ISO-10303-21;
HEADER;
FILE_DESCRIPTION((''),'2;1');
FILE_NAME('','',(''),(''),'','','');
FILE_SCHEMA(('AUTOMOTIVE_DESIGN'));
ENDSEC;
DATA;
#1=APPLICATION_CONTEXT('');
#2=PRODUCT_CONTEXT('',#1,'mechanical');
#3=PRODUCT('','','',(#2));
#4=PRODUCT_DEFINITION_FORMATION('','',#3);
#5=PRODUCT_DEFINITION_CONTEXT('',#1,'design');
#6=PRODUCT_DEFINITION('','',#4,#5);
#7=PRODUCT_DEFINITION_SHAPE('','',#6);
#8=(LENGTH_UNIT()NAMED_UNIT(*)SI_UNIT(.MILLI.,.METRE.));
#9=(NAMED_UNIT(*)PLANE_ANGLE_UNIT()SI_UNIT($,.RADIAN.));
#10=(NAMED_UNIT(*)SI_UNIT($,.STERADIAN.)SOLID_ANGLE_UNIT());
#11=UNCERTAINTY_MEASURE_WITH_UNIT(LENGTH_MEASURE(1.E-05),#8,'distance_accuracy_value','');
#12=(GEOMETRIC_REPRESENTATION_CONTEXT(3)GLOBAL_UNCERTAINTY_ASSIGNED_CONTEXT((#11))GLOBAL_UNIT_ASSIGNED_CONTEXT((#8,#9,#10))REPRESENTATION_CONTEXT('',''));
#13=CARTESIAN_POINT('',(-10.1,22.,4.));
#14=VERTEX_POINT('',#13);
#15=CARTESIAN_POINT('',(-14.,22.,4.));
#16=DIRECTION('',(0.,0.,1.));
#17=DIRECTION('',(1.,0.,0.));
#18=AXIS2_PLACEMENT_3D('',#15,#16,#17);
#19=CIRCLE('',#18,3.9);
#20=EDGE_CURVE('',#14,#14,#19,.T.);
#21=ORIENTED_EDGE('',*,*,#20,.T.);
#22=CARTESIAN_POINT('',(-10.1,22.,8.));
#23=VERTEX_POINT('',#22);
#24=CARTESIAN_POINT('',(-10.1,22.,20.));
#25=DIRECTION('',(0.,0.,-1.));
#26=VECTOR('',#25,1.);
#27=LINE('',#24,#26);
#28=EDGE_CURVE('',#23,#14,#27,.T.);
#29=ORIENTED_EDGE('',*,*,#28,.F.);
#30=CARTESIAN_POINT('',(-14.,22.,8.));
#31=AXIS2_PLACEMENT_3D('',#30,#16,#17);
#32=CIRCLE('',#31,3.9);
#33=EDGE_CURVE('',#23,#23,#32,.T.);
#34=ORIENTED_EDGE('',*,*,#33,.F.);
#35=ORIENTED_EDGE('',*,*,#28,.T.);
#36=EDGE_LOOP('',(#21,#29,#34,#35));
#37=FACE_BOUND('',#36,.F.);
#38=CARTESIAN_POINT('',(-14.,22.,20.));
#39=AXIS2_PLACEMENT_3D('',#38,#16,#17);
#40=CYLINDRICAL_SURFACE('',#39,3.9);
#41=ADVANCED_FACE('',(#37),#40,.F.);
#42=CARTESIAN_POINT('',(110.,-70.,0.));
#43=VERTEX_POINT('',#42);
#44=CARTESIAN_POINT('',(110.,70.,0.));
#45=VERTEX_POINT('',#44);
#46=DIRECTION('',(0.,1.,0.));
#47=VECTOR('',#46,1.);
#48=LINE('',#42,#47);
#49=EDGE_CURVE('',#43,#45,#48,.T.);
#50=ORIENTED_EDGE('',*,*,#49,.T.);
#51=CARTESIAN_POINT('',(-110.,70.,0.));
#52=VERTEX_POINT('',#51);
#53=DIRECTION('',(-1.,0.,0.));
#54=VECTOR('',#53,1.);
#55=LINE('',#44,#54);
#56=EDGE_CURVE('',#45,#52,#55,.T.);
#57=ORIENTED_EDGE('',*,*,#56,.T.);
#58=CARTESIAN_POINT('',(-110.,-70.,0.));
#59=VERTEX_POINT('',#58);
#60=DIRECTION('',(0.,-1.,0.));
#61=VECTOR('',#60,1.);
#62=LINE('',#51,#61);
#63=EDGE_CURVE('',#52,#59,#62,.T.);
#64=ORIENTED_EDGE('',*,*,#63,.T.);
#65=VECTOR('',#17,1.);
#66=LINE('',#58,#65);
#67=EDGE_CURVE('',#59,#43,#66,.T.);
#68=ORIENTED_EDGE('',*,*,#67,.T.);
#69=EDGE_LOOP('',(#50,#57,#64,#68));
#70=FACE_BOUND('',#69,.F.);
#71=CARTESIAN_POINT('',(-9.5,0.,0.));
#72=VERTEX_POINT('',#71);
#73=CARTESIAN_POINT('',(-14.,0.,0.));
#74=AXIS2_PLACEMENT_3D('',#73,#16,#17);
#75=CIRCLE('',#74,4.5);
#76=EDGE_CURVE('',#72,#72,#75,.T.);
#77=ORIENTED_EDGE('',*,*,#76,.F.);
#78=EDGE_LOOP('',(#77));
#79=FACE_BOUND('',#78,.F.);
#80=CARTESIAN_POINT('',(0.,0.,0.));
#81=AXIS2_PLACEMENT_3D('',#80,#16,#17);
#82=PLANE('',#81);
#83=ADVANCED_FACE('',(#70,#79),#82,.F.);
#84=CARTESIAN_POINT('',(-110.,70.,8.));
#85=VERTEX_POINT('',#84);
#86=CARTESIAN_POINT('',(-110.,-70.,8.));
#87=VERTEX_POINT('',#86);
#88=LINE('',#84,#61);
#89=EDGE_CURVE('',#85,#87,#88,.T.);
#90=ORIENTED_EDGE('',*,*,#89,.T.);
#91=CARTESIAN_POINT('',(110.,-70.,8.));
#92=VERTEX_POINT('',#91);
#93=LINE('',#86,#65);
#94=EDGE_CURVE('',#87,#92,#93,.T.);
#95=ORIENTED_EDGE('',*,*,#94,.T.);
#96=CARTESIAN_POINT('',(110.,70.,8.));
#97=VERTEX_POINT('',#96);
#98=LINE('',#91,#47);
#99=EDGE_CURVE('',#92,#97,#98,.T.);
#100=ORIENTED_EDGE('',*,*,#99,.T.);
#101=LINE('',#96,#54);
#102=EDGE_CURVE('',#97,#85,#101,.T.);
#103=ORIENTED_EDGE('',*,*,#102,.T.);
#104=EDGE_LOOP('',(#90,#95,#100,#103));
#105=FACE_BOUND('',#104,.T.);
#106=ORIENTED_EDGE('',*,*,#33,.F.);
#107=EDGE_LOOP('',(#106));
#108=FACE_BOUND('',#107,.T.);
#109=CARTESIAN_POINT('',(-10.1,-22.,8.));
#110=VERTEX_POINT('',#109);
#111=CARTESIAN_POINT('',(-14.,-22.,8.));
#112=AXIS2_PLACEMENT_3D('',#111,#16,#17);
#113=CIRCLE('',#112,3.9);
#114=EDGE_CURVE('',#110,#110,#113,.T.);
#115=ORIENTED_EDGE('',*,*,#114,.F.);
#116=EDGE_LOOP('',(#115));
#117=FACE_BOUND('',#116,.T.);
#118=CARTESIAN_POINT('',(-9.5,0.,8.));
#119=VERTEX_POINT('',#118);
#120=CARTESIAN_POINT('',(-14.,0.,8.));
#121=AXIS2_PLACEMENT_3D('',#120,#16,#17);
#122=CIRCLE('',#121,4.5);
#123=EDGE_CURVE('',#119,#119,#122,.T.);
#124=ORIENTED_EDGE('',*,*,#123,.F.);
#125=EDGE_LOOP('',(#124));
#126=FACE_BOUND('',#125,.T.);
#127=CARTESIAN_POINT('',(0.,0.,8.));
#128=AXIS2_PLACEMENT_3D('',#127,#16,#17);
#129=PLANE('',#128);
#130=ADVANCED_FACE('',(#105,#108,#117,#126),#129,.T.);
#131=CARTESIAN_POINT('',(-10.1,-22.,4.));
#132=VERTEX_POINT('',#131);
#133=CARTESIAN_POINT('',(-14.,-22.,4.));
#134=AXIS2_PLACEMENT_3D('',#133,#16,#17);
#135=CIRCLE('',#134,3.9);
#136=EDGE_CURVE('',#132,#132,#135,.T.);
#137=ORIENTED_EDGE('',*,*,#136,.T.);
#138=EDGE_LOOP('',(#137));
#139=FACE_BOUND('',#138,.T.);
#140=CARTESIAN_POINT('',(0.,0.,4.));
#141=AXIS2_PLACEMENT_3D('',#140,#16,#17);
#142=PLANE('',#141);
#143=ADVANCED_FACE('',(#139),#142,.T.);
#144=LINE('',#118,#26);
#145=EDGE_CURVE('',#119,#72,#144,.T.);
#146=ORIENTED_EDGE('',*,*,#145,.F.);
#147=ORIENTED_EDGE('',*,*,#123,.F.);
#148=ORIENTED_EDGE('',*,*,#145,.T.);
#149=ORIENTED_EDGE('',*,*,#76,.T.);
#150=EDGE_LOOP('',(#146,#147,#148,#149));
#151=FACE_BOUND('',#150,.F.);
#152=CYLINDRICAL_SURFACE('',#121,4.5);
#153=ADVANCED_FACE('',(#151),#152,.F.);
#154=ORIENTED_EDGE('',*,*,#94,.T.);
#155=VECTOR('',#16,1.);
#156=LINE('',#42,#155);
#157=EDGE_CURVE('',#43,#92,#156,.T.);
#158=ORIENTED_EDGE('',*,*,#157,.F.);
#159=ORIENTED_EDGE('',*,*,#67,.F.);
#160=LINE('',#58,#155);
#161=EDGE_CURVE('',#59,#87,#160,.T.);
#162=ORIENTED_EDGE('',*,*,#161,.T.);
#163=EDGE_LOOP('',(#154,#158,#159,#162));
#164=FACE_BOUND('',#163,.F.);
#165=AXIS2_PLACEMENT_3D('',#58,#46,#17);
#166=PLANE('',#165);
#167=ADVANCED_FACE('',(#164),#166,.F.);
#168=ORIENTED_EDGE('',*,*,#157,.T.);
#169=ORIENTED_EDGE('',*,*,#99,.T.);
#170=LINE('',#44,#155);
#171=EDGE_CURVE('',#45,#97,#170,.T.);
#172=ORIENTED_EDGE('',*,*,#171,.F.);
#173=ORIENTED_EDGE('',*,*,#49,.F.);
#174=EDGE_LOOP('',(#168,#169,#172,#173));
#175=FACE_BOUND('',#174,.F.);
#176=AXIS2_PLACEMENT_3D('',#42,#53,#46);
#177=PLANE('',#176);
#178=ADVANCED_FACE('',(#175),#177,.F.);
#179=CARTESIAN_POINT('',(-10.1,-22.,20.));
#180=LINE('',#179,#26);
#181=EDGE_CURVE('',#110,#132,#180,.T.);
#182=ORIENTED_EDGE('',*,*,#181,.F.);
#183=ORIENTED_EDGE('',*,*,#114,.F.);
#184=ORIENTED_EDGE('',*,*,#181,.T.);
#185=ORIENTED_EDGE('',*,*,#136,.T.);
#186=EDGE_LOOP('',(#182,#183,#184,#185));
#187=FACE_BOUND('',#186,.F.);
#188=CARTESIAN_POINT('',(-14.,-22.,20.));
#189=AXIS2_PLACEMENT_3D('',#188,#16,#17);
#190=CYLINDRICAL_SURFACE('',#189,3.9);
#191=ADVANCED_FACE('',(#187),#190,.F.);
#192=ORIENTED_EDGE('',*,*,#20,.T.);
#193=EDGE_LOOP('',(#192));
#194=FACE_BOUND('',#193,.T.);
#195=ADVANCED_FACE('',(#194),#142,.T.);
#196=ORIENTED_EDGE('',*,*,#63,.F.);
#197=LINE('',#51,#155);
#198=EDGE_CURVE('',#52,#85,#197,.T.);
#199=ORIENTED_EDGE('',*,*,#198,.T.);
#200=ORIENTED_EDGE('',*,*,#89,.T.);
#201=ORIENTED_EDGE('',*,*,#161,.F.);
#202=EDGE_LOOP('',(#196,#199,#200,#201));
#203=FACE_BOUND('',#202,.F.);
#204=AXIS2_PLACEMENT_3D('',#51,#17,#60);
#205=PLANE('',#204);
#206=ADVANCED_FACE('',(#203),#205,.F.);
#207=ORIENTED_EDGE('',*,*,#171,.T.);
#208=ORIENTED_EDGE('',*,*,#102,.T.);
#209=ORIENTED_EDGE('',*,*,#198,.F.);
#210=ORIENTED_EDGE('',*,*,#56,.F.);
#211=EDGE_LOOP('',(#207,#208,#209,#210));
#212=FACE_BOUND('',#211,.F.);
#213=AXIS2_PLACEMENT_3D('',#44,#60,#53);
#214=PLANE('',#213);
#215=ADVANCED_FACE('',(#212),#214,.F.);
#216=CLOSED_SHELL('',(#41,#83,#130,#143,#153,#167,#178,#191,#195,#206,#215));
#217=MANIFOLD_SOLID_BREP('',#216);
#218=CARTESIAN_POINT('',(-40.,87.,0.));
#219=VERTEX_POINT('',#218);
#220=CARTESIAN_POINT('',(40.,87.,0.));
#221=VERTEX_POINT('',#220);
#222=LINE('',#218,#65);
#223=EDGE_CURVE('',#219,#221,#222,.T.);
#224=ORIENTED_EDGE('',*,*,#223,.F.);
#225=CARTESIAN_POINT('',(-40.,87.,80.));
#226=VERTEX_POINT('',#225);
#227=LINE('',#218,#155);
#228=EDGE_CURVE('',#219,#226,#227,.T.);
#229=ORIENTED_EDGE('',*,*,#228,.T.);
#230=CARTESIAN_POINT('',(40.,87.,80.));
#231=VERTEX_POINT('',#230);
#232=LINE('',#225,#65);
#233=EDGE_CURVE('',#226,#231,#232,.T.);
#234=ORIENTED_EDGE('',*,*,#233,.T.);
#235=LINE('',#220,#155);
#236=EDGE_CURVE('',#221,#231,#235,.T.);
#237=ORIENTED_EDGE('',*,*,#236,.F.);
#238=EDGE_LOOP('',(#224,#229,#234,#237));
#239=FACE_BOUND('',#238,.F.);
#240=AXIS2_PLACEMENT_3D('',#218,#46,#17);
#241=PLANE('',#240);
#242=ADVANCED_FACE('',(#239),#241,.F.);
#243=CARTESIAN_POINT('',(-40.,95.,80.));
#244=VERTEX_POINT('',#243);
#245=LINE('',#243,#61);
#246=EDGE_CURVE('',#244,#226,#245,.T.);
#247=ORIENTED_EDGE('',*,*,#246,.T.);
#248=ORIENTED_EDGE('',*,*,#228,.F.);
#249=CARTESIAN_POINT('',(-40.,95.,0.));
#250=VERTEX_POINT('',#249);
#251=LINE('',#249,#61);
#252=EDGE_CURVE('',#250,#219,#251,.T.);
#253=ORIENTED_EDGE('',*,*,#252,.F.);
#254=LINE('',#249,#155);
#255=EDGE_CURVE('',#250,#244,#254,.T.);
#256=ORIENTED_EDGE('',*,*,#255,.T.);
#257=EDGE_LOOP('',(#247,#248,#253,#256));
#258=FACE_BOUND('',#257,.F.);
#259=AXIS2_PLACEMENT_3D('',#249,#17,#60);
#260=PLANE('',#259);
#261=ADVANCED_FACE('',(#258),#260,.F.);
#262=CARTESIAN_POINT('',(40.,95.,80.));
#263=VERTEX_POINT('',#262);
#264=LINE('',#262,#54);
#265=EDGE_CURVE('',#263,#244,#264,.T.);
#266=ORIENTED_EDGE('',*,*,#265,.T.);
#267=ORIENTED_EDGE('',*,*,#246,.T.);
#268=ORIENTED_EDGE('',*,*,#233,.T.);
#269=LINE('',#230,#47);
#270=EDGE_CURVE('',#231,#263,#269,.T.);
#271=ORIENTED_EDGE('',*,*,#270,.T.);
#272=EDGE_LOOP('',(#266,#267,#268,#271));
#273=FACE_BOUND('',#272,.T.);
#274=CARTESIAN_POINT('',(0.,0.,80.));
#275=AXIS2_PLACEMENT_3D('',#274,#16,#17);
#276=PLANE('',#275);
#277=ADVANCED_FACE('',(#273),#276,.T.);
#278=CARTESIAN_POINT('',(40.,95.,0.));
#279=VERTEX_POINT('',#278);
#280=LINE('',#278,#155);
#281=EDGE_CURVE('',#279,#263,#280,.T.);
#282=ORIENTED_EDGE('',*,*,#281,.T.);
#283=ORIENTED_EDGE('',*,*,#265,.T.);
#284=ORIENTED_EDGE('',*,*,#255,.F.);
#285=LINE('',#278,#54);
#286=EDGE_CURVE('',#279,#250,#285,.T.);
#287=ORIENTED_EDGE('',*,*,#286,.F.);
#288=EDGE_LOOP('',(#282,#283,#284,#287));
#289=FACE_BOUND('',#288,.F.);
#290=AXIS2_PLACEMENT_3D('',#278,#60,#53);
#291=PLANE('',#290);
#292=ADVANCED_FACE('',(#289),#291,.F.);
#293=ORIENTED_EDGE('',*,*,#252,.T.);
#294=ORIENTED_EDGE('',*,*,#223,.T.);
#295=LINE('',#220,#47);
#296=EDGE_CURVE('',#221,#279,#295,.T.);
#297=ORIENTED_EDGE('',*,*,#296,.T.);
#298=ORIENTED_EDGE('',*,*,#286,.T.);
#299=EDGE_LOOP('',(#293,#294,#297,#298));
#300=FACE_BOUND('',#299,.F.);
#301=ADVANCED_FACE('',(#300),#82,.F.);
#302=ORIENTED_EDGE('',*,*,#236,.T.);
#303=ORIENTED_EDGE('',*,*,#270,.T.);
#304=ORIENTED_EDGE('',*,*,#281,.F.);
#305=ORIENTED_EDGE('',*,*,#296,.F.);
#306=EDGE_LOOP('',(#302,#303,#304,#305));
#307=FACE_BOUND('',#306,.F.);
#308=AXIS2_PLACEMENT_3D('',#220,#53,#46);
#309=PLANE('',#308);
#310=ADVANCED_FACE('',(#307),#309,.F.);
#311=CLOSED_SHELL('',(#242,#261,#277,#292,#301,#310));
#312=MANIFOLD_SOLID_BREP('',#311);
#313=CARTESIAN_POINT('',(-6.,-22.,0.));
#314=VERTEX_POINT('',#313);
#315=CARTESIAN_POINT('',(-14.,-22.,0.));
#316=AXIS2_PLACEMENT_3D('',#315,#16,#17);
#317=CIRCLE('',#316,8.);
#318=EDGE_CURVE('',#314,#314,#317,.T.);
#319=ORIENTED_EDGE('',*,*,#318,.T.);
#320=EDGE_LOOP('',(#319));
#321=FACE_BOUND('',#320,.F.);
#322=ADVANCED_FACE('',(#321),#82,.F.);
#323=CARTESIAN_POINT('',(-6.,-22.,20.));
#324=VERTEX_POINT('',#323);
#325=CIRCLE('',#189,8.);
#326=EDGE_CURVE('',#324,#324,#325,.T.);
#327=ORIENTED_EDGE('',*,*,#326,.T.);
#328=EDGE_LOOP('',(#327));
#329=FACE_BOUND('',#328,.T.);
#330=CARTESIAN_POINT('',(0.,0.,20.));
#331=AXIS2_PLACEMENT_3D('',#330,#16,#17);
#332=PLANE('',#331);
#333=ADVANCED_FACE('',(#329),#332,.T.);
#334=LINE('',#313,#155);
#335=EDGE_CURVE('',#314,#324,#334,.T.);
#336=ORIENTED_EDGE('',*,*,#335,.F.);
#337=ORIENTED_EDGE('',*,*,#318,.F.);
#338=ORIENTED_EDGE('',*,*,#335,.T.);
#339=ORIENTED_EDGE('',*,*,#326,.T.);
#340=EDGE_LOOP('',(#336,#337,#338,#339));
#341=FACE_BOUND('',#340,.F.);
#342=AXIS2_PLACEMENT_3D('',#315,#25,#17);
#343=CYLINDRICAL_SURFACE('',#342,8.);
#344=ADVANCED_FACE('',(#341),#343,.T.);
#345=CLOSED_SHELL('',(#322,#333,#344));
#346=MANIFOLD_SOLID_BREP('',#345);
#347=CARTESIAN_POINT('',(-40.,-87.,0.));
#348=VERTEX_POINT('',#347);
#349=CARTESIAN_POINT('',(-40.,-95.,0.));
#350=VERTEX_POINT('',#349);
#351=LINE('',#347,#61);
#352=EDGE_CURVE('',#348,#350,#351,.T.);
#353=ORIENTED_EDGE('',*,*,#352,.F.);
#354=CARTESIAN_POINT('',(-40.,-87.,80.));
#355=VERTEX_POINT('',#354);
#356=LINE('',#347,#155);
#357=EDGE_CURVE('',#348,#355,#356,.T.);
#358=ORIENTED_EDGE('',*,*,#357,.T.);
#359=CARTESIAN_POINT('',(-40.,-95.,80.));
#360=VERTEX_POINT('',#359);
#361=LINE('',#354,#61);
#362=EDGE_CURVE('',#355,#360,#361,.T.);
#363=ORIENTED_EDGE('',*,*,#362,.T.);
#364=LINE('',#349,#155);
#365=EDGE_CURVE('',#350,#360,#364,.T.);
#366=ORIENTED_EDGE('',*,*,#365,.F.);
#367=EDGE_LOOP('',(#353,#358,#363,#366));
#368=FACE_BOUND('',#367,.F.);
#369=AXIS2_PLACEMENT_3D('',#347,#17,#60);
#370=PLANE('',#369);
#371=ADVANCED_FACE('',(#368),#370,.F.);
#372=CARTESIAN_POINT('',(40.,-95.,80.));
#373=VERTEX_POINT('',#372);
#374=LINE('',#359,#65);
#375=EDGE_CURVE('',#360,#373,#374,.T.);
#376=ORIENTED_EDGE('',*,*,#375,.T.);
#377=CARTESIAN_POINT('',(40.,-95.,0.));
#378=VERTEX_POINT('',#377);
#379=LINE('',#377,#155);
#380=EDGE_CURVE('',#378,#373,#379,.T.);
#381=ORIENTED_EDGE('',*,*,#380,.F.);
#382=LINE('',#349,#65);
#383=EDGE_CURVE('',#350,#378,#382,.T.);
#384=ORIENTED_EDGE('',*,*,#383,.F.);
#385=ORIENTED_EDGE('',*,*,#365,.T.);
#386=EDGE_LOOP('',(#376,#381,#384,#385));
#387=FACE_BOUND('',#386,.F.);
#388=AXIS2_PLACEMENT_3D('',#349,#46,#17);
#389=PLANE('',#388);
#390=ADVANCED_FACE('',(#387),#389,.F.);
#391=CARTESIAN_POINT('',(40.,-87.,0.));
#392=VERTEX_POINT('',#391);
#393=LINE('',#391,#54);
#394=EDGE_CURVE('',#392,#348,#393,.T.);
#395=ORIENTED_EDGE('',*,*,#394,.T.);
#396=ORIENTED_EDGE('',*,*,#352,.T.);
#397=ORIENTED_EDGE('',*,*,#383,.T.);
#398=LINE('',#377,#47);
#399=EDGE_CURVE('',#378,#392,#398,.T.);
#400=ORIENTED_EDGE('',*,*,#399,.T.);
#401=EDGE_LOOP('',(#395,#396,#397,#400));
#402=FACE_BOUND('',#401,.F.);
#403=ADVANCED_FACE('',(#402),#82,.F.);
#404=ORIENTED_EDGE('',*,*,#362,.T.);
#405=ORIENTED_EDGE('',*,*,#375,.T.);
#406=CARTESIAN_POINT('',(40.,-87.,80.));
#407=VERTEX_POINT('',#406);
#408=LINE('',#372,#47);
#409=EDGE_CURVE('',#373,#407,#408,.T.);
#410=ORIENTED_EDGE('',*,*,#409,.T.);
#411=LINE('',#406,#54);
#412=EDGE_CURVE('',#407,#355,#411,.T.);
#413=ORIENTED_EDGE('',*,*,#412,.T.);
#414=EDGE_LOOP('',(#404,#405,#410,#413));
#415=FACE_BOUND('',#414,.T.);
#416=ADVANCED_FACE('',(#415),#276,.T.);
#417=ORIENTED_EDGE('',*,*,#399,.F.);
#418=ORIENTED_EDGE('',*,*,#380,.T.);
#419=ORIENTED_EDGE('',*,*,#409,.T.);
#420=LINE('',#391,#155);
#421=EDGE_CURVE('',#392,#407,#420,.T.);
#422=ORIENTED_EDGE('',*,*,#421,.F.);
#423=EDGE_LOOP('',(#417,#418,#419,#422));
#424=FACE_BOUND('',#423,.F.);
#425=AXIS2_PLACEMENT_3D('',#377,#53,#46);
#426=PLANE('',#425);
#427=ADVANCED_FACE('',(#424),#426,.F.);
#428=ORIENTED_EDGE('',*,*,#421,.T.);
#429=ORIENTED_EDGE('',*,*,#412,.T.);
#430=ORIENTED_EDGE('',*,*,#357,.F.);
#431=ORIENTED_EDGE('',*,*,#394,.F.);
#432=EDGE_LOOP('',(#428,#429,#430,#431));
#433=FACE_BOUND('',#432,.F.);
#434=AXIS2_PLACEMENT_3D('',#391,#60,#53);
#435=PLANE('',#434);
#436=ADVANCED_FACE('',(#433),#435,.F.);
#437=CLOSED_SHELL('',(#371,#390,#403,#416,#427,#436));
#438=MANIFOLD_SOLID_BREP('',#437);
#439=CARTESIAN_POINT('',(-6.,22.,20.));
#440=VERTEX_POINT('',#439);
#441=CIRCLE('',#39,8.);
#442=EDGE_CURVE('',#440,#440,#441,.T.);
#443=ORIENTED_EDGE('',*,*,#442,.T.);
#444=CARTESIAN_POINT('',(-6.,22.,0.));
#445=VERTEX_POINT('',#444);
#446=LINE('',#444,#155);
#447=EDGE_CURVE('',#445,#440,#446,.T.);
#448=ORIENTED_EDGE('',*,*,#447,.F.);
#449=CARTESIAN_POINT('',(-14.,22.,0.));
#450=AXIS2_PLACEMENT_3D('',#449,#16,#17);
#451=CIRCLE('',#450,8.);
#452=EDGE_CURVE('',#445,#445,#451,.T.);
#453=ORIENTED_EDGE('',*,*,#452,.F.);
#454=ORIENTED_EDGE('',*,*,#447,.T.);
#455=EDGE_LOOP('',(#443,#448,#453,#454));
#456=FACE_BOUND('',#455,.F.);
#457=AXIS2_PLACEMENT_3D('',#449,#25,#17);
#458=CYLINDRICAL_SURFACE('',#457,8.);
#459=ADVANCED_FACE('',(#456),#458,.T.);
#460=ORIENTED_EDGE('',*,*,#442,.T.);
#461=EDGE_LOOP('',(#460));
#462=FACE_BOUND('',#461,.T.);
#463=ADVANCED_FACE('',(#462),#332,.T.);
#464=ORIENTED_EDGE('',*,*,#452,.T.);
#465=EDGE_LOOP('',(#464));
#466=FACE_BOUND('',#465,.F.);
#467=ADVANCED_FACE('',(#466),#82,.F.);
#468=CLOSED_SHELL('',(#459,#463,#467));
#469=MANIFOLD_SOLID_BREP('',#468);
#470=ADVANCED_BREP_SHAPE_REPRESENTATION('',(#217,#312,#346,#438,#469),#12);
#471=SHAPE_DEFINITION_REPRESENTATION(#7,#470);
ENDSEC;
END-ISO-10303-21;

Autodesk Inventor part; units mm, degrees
sketch "Skizze1" plane through (0, 0, 0) normal (0, 0, 1) x (1, 0, 0)
  line L0 (-110, -70) -> (110, -70)
  line L1 (110, -70) -> (110, 70)
  line L2 (110, 70) -> (-110, 70)
  line L3 (-110, 70) -> (-110, -70)
extrude "Extrusion1" add sketch "Skizze1" along normal blind 8
sketch "Skizze2" plane through (0, 0, 0) normal (0, 0, 1) x (1, 0, 0)
  circle A0 centre (-14, -22) radius 8
extrude "Extrusion2" add sketch "Skizze2" along normal blind 20 separate body
sketch "Skizze3" plane through (0, 0, 0) normal (0, 0, 1) x (1, 0, 0)
  circle A0 centre (-14, 22) radius 8
extrude "Extrusion3" add sketch "Skizze3" along normal blind 20 separate body
sketch "Skizze4" plane through (0, 0, 0) normal (0, 0, 1) x (1, 0, 0)
  line L0 (-40, -95) -> (40, -95)
  line L1 (40, -95) -> (40, -87)
  line L2 (40, -87) -> (-40, -87)
  line L3 (-40, -87) -> (-40, -95)
extrude "Extrusion4" add sketch "Skizze4" along normal blind 80 separate body
sketch "Skizze5" plane through (0, 0, 0) normal (0, 0, 1) x (1, 0, 0)
  line L0 (-40, 87) -> (40, 87)
  line L1 (40, 87) -> (40, 95)
  line L2 (40, 95) -> (-40, 95)
  line L3 (-40, 95) -> (-40, 87)
extrude "Extrusion5" add sketch "Skizze5" along normal blind 80 separate body
ref_plane "Arbeitsebene1" through (0, 0, 20) normal (0, 0, 1) x (1, 0, 0)
ref_plane "Arbeitsebene2" through (0, 0, 8) normal (0, 0, 1) x (1, 0, 0)
sketch "Skizze6" plane through (0, 0, 20) normal (0, 0, 1) x (1, 0, 0)
  circle A0 centre (-14, -22) radius 3.9
extrude "Extrusion6" cut sketch "Skizze6" against normal blind 16 bodies 1
sketch "Skizze7" plane through (0, 0, 20) normal (0, 0, 1) x (1, 0, 0)
  circle A0 centre (-14, 22) radius 3.9
extrude "Extrusion7" cut sketch "Skizze7" against normal blind 16 bodies 1
sketch "Skizze8" plane through (0, 0, 8) normal (0, 0, 1) x (1, 0, 0)
  circle A0 centre (-14, 0) radius 4.5
extrude "Extrusion8" cut sketch "Skizze8" against normal blind 9 bodies 1
ref_plane "Arbeitsebene3" through (0, -91, 0) normal (0, 1, 0) x (-1, 0, 0)
sketch "Skizze9" plane through (0, -91, 0) normal (0, 1, 0) x (-1, 0, 0)
  circle A0 centre (0, 60) radius 7
extrude "Extrusion9" cut sketch "Skizze9" along normal mid plane 12 bodies 1
sketch "Skizze10" plane through (0, -91, 0) normal (0, 1, 0) x (-1, 0, 0)
  circle A0 centre (16, 60) radius 1.5
extrude "Extrusion10" cut sketch "Skizze10" along normal mid plane 12 bodies 1
ref_plane "Arbeitsebene4" through (0, 91, 0) normal (0, 1, 0) x (-1, 0, 0)
sketch "Skizze11" plane through (0, 91, 0) normal (0, 1, 0) x (-1, 0, 0)
  circle A0 centre (0, 60) radius 4.15
extrude "Extrusion11" cut sketch "Skizze11" along normal mid plane 12 bodies 1
properties part number "Rahmen_v4"
